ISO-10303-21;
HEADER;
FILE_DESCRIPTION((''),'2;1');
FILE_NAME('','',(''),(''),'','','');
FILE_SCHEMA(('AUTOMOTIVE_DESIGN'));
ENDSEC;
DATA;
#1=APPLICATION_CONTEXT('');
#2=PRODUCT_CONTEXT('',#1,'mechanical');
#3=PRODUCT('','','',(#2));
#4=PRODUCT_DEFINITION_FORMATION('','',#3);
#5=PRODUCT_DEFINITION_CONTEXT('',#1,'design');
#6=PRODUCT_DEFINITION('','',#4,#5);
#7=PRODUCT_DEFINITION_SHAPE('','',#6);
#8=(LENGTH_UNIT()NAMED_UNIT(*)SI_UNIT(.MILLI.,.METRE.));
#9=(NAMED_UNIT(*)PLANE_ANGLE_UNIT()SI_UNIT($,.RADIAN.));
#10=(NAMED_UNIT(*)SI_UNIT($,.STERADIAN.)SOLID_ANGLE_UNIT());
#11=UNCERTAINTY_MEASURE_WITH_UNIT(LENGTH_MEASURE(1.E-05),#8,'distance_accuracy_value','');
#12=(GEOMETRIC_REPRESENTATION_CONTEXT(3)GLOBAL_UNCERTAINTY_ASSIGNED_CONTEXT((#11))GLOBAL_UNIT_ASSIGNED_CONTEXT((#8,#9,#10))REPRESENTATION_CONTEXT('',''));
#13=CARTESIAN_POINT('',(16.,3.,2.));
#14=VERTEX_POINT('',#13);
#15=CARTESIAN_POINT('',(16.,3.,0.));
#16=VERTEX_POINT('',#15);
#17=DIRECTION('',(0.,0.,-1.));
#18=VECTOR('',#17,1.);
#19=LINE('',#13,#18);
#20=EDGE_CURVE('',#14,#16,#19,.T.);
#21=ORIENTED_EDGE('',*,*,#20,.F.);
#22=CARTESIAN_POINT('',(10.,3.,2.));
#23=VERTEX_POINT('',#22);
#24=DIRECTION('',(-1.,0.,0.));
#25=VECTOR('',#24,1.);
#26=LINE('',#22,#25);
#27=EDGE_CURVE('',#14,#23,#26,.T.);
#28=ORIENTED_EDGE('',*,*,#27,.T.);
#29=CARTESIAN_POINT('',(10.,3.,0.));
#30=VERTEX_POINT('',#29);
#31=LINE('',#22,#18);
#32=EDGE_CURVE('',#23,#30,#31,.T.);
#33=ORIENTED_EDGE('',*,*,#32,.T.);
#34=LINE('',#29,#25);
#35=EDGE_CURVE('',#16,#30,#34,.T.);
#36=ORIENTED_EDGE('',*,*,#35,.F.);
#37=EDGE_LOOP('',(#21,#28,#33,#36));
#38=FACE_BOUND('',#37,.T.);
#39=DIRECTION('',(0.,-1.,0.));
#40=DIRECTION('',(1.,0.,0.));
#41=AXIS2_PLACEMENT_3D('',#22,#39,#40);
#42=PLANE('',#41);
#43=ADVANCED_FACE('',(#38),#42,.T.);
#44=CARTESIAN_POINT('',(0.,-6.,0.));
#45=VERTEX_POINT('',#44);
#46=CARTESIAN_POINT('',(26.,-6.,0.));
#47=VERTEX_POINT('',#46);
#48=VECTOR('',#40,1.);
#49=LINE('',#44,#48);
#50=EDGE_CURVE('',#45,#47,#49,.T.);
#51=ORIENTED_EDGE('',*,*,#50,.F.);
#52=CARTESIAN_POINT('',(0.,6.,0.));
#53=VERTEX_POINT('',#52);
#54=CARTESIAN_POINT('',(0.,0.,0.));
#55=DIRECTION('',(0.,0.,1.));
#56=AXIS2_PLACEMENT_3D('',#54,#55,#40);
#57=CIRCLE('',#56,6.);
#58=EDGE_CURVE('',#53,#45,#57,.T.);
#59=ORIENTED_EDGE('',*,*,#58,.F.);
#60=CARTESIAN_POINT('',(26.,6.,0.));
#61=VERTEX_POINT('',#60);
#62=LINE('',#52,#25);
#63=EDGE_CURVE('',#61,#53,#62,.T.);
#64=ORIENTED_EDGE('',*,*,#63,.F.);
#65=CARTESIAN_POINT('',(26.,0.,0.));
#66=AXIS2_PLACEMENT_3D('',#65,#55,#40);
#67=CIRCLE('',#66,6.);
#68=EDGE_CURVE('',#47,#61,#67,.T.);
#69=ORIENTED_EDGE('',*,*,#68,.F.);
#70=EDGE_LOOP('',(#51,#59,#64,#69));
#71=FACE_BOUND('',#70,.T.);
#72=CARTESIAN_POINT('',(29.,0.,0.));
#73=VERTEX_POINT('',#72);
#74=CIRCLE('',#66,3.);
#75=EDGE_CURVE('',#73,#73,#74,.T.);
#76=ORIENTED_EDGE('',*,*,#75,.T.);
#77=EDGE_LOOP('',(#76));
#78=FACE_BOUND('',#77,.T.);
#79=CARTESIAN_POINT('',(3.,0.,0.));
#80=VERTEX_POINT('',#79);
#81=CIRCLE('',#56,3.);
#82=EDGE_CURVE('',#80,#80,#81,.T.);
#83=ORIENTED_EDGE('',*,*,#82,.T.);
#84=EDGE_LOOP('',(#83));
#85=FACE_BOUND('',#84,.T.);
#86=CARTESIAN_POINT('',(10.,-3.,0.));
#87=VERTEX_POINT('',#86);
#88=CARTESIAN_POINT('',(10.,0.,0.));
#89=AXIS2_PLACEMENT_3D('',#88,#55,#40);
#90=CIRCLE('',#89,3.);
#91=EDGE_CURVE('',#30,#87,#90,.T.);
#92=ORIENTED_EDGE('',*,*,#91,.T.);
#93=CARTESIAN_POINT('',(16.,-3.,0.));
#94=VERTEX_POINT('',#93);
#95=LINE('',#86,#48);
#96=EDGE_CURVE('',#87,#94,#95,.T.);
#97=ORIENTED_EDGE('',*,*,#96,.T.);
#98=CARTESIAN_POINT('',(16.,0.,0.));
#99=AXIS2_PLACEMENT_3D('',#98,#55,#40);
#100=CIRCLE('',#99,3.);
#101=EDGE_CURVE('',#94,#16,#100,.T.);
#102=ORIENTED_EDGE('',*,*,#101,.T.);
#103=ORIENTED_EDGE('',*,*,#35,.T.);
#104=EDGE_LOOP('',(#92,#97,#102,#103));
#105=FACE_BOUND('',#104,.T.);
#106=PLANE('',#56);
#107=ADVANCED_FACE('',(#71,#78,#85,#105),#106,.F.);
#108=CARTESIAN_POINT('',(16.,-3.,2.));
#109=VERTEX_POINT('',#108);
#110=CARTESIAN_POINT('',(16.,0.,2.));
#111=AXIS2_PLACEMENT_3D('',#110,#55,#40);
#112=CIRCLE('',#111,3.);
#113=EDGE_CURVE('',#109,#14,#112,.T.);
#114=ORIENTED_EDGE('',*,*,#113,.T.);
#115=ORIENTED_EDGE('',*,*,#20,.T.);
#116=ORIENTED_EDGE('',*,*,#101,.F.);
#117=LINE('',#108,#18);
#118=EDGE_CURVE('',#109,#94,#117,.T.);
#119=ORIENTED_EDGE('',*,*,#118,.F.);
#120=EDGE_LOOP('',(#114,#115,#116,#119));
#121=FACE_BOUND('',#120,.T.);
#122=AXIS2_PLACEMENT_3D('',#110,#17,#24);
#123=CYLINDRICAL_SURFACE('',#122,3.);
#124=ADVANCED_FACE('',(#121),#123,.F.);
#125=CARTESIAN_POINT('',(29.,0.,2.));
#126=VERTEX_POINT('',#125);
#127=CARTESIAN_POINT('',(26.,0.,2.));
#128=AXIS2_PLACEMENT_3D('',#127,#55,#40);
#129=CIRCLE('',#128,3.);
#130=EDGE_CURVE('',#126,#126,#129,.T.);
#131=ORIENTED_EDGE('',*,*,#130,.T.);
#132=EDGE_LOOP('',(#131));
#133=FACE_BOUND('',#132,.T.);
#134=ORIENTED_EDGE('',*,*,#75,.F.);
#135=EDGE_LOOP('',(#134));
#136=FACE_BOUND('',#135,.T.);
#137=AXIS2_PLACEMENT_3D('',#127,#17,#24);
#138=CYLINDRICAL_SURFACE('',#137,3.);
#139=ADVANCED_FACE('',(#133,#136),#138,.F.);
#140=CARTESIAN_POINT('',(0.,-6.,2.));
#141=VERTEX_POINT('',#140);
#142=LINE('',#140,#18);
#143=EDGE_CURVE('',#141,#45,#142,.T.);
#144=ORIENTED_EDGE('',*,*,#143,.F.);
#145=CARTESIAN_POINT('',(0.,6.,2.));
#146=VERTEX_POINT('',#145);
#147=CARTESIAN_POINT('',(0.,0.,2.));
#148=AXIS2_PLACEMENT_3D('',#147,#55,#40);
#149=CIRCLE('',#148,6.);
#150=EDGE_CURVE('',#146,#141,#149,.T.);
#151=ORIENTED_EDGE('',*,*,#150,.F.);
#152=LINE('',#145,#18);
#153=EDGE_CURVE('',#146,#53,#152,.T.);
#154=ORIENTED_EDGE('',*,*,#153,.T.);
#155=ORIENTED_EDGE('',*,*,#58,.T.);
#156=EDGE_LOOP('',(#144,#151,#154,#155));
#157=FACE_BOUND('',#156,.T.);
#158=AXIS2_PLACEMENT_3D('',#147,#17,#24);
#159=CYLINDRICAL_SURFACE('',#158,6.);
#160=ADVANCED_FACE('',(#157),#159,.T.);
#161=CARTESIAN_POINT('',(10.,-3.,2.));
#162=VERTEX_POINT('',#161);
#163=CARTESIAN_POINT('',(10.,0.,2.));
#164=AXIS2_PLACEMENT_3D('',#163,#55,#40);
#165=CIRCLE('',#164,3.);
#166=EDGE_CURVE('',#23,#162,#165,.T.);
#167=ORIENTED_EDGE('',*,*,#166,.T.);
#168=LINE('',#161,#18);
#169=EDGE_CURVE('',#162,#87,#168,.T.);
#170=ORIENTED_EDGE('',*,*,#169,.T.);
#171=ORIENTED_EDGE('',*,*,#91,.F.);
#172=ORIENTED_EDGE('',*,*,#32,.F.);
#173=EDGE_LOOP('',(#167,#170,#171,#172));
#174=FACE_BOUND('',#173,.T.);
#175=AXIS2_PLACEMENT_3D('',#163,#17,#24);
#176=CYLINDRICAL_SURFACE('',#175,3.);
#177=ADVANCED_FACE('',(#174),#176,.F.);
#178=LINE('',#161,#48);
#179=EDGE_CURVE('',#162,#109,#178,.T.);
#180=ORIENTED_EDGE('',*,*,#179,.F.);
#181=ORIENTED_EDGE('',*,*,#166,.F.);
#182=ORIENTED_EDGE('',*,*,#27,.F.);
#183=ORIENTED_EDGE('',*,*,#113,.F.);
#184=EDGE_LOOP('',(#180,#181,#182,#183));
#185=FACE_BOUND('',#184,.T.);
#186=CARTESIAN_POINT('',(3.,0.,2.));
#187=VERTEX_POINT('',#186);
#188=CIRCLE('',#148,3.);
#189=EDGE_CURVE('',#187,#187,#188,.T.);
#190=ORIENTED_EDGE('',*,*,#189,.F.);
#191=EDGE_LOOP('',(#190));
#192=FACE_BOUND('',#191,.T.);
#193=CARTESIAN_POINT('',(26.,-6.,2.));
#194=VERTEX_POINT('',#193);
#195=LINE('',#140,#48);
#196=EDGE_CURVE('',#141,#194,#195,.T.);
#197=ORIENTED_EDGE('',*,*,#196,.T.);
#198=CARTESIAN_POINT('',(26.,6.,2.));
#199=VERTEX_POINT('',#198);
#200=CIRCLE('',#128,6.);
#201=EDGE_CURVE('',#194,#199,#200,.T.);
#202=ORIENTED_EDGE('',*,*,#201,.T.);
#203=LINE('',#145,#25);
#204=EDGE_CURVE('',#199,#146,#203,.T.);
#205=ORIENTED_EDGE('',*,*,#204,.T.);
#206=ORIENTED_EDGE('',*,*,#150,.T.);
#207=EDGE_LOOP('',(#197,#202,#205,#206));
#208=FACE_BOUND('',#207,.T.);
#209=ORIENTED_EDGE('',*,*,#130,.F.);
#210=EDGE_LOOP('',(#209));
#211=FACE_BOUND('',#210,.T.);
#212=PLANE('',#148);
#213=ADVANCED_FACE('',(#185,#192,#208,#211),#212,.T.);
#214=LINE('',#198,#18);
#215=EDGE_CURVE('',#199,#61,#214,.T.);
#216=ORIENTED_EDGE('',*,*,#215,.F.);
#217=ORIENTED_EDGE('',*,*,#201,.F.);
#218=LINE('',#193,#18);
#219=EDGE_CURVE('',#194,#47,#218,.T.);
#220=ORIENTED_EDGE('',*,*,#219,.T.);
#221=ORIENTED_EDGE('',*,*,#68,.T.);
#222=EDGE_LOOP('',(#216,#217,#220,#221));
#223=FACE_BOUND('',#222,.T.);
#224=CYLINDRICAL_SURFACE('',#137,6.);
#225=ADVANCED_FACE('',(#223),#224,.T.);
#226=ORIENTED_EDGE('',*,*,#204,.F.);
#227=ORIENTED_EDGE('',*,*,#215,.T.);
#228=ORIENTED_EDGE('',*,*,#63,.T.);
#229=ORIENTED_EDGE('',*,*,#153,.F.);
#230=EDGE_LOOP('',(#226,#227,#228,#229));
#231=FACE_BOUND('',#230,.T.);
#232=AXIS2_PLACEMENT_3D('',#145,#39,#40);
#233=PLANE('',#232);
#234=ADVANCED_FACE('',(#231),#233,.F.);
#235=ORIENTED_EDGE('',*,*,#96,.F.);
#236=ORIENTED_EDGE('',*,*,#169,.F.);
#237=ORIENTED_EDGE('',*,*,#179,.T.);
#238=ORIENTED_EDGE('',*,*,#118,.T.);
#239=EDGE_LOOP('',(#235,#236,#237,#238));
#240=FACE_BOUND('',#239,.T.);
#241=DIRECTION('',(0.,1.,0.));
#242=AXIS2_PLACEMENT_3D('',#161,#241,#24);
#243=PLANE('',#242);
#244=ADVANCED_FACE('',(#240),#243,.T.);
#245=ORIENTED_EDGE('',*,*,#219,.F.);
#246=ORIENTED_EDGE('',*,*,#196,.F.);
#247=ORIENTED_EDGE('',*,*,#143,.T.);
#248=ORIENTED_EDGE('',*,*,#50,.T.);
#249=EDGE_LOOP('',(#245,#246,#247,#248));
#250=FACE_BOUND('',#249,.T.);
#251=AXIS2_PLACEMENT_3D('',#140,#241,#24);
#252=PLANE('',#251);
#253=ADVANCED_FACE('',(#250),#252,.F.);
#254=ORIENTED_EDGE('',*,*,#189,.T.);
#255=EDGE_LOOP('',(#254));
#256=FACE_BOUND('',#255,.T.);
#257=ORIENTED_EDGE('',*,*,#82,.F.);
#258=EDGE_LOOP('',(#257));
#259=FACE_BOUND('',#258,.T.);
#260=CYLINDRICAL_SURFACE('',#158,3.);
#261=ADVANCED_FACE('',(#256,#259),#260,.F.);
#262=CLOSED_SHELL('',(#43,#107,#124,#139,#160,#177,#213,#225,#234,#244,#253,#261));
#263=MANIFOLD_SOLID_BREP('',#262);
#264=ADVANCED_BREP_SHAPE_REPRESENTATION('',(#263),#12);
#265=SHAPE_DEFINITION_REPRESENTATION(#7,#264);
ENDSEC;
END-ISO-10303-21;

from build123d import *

# Parameters (mm, degrees)
SKETCH_2_R      = 3
EXTRUDE_1_DEPTH = 2


with BuildPart() as part:
    # 草图2 → 凸台-拉伸1 (new body)
    with BuildSketch(Plane.XY):
        with BuildLine():
            Line((0, 6), (26, 6))
            ThreePointArc((26, 6), (32, 0), (26, -6))
            Line((26, -6), (0, -6))
            ThreePointArc((0, -6), (-6, 0), (0, 6))
        make_face()
        Circle(SKETCH_2_R, mode=Mode.SUBTRACT)
        with Locations((26, 0)):
            Circle(SKETCH_2_R, mode=Mode.SUBTRACT)
        with BuildLine():
            Line((10, 3), (16, 3))
            ThreePointArc((16, 3), (19, 0), (16, -3))
            Line((16, -3), (10, -3))
            ThreePointArc((10, -3), (7, 0), (10, 3))
        make_face(mode=Mode.SUBTRACT)
    extrude(amount=EXTRUDE_1_DEPTH)


solid = part.part
